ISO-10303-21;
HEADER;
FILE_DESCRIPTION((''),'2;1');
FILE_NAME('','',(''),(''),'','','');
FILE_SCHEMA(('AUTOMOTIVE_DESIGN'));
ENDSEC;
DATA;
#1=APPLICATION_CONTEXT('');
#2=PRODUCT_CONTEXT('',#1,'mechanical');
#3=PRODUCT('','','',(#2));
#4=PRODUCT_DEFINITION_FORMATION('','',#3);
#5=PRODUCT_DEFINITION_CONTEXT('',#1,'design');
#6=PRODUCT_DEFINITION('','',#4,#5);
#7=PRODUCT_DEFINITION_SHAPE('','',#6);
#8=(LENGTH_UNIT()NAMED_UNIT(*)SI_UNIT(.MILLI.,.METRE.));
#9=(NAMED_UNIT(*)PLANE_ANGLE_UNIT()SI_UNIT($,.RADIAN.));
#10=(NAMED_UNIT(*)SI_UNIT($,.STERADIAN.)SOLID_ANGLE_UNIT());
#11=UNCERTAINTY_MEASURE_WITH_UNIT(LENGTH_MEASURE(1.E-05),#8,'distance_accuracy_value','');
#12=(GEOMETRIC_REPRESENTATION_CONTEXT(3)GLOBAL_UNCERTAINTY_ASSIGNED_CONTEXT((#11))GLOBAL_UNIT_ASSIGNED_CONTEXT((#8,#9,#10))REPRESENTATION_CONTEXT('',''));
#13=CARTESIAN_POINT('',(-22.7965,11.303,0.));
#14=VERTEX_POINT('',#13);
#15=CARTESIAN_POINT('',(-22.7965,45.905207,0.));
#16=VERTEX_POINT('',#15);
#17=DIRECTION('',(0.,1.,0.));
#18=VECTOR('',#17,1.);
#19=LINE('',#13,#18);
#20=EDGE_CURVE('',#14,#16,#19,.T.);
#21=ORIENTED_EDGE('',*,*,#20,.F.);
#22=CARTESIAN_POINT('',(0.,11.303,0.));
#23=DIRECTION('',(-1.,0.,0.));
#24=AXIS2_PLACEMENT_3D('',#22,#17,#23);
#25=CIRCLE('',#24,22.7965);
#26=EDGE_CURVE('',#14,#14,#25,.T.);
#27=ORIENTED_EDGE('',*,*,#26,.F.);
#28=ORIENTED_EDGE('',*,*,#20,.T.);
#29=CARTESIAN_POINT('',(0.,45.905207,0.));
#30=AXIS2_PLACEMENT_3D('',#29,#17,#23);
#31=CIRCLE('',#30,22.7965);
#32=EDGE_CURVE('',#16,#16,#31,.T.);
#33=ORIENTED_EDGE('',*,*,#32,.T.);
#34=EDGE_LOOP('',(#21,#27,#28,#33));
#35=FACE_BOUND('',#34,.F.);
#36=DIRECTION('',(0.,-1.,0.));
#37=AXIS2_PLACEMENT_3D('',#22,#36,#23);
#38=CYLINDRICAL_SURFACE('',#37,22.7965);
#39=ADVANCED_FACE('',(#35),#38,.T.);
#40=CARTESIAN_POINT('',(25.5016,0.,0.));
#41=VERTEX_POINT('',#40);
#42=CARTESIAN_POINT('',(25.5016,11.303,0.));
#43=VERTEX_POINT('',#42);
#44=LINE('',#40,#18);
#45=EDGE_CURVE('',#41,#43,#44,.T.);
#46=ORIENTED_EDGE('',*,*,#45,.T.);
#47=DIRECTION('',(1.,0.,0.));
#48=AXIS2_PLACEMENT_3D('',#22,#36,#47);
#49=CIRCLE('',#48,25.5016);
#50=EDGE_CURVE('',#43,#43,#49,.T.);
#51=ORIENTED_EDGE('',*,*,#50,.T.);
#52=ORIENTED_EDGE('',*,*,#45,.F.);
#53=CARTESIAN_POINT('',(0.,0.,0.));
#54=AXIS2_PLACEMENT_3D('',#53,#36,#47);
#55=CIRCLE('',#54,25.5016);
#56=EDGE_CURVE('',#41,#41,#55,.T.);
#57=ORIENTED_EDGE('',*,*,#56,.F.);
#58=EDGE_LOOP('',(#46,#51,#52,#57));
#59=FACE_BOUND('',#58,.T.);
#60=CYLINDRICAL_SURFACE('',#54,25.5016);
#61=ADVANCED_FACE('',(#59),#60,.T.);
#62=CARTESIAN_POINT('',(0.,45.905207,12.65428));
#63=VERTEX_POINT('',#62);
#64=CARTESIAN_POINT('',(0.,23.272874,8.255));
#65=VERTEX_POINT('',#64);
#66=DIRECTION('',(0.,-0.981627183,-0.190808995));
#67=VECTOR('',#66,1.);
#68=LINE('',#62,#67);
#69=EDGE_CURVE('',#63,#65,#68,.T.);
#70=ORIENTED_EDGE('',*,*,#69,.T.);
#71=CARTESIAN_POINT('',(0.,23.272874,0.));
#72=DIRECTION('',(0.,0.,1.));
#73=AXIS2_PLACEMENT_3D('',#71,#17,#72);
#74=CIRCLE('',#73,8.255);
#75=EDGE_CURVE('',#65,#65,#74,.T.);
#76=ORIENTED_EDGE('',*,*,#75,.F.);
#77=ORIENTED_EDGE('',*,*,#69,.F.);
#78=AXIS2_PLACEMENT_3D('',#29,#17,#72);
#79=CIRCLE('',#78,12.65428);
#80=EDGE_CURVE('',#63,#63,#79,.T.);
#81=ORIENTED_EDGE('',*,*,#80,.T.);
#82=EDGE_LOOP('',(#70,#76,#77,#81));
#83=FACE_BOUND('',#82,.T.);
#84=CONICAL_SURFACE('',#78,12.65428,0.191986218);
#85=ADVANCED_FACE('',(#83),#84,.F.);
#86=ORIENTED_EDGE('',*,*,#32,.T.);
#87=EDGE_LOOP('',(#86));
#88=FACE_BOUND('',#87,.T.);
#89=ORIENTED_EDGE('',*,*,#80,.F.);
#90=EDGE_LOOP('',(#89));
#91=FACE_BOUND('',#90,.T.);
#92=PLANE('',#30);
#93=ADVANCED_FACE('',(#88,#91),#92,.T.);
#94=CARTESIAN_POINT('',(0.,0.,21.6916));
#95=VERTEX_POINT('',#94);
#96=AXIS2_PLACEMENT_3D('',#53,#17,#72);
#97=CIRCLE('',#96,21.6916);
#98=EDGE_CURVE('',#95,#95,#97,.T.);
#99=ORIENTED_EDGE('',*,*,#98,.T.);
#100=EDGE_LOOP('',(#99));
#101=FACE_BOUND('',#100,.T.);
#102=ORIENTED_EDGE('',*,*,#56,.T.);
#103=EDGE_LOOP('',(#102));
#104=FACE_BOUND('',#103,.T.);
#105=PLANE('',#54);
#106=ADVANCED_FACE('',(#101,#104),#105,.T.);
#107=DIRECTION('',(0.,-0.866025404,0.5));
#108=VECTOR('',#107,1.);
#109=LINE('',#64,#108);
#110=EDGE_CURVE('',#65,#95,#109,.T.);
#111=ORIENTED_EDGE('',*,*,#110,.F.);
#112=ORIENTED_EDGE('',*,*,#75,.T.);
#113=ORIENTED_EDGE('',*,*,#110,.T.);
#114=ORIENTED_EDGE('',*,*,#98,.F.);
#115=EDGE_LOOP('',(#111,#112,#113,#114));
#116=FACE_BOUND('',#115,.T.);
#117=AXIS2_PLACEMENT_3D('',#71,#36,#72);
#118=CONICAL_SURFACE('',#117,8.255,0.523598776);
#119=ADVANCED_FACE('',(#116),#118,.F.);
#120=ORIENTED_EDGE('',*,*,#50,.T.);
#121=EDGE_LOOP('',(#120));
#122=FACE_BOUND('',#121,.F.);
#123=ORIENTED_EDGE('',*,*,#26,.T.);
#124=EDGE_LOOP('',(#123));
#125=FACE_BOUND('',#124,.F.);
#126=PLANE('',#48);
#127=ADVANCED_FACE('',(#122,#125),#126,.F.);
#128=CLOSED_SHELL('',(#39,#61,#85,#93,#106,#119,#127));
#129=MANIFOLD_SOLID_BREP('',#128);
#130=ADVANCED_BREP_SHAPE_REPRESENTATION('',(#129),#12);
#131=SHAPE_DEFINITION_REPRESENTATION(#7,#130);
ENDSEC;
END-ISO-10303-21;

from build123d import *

# Parameters (mm, degrees)
F0_R     = 25.5016
F1_DEPTH = 11.303
F2_R     = 22.7965
F5_DEPTH = 34.6022074724
F4_W     = 22.6323335914
F4_H     = 8.255


with BuildPart() as f1:
    # F0 (on Front) → F1 (new body)
    with BuildSketch(Plane.XZ):
        Circle(F0_R)
    extrude(amount=-F1_DEPTH)

    # F2 (on face) → F5 (join, through all)
    with BuildSketch(Plane(origin=(0, 11.303, 0), x_dir=(-1, 0, 0), z_dir=(0, 1, 0))):
        Circle(F2_R)
    extrude(amount=F5_DEPTH)

    # F4 (on Right) → F6 (revolve, cut)
    with BuildSketch(Plane.YZ):
        Polygon((0, 21.6916), (0, 0), (23.272873881, 0), (23.272873881, 8.255), align=None)
        with Locations((34.5890406767, 4.1275)):
            Rectangle(F4_W, F4_H)
        Polygon((45.9052074724, 12.65428), (23.272873881, 8.255), (45.9052074724, 8.255), align=None)
    revolve(axis=Axis((0, 11.6364369405, 0), (0, 1, 0)), mode=Mode.SUBTRACT)


solid = f1.part
